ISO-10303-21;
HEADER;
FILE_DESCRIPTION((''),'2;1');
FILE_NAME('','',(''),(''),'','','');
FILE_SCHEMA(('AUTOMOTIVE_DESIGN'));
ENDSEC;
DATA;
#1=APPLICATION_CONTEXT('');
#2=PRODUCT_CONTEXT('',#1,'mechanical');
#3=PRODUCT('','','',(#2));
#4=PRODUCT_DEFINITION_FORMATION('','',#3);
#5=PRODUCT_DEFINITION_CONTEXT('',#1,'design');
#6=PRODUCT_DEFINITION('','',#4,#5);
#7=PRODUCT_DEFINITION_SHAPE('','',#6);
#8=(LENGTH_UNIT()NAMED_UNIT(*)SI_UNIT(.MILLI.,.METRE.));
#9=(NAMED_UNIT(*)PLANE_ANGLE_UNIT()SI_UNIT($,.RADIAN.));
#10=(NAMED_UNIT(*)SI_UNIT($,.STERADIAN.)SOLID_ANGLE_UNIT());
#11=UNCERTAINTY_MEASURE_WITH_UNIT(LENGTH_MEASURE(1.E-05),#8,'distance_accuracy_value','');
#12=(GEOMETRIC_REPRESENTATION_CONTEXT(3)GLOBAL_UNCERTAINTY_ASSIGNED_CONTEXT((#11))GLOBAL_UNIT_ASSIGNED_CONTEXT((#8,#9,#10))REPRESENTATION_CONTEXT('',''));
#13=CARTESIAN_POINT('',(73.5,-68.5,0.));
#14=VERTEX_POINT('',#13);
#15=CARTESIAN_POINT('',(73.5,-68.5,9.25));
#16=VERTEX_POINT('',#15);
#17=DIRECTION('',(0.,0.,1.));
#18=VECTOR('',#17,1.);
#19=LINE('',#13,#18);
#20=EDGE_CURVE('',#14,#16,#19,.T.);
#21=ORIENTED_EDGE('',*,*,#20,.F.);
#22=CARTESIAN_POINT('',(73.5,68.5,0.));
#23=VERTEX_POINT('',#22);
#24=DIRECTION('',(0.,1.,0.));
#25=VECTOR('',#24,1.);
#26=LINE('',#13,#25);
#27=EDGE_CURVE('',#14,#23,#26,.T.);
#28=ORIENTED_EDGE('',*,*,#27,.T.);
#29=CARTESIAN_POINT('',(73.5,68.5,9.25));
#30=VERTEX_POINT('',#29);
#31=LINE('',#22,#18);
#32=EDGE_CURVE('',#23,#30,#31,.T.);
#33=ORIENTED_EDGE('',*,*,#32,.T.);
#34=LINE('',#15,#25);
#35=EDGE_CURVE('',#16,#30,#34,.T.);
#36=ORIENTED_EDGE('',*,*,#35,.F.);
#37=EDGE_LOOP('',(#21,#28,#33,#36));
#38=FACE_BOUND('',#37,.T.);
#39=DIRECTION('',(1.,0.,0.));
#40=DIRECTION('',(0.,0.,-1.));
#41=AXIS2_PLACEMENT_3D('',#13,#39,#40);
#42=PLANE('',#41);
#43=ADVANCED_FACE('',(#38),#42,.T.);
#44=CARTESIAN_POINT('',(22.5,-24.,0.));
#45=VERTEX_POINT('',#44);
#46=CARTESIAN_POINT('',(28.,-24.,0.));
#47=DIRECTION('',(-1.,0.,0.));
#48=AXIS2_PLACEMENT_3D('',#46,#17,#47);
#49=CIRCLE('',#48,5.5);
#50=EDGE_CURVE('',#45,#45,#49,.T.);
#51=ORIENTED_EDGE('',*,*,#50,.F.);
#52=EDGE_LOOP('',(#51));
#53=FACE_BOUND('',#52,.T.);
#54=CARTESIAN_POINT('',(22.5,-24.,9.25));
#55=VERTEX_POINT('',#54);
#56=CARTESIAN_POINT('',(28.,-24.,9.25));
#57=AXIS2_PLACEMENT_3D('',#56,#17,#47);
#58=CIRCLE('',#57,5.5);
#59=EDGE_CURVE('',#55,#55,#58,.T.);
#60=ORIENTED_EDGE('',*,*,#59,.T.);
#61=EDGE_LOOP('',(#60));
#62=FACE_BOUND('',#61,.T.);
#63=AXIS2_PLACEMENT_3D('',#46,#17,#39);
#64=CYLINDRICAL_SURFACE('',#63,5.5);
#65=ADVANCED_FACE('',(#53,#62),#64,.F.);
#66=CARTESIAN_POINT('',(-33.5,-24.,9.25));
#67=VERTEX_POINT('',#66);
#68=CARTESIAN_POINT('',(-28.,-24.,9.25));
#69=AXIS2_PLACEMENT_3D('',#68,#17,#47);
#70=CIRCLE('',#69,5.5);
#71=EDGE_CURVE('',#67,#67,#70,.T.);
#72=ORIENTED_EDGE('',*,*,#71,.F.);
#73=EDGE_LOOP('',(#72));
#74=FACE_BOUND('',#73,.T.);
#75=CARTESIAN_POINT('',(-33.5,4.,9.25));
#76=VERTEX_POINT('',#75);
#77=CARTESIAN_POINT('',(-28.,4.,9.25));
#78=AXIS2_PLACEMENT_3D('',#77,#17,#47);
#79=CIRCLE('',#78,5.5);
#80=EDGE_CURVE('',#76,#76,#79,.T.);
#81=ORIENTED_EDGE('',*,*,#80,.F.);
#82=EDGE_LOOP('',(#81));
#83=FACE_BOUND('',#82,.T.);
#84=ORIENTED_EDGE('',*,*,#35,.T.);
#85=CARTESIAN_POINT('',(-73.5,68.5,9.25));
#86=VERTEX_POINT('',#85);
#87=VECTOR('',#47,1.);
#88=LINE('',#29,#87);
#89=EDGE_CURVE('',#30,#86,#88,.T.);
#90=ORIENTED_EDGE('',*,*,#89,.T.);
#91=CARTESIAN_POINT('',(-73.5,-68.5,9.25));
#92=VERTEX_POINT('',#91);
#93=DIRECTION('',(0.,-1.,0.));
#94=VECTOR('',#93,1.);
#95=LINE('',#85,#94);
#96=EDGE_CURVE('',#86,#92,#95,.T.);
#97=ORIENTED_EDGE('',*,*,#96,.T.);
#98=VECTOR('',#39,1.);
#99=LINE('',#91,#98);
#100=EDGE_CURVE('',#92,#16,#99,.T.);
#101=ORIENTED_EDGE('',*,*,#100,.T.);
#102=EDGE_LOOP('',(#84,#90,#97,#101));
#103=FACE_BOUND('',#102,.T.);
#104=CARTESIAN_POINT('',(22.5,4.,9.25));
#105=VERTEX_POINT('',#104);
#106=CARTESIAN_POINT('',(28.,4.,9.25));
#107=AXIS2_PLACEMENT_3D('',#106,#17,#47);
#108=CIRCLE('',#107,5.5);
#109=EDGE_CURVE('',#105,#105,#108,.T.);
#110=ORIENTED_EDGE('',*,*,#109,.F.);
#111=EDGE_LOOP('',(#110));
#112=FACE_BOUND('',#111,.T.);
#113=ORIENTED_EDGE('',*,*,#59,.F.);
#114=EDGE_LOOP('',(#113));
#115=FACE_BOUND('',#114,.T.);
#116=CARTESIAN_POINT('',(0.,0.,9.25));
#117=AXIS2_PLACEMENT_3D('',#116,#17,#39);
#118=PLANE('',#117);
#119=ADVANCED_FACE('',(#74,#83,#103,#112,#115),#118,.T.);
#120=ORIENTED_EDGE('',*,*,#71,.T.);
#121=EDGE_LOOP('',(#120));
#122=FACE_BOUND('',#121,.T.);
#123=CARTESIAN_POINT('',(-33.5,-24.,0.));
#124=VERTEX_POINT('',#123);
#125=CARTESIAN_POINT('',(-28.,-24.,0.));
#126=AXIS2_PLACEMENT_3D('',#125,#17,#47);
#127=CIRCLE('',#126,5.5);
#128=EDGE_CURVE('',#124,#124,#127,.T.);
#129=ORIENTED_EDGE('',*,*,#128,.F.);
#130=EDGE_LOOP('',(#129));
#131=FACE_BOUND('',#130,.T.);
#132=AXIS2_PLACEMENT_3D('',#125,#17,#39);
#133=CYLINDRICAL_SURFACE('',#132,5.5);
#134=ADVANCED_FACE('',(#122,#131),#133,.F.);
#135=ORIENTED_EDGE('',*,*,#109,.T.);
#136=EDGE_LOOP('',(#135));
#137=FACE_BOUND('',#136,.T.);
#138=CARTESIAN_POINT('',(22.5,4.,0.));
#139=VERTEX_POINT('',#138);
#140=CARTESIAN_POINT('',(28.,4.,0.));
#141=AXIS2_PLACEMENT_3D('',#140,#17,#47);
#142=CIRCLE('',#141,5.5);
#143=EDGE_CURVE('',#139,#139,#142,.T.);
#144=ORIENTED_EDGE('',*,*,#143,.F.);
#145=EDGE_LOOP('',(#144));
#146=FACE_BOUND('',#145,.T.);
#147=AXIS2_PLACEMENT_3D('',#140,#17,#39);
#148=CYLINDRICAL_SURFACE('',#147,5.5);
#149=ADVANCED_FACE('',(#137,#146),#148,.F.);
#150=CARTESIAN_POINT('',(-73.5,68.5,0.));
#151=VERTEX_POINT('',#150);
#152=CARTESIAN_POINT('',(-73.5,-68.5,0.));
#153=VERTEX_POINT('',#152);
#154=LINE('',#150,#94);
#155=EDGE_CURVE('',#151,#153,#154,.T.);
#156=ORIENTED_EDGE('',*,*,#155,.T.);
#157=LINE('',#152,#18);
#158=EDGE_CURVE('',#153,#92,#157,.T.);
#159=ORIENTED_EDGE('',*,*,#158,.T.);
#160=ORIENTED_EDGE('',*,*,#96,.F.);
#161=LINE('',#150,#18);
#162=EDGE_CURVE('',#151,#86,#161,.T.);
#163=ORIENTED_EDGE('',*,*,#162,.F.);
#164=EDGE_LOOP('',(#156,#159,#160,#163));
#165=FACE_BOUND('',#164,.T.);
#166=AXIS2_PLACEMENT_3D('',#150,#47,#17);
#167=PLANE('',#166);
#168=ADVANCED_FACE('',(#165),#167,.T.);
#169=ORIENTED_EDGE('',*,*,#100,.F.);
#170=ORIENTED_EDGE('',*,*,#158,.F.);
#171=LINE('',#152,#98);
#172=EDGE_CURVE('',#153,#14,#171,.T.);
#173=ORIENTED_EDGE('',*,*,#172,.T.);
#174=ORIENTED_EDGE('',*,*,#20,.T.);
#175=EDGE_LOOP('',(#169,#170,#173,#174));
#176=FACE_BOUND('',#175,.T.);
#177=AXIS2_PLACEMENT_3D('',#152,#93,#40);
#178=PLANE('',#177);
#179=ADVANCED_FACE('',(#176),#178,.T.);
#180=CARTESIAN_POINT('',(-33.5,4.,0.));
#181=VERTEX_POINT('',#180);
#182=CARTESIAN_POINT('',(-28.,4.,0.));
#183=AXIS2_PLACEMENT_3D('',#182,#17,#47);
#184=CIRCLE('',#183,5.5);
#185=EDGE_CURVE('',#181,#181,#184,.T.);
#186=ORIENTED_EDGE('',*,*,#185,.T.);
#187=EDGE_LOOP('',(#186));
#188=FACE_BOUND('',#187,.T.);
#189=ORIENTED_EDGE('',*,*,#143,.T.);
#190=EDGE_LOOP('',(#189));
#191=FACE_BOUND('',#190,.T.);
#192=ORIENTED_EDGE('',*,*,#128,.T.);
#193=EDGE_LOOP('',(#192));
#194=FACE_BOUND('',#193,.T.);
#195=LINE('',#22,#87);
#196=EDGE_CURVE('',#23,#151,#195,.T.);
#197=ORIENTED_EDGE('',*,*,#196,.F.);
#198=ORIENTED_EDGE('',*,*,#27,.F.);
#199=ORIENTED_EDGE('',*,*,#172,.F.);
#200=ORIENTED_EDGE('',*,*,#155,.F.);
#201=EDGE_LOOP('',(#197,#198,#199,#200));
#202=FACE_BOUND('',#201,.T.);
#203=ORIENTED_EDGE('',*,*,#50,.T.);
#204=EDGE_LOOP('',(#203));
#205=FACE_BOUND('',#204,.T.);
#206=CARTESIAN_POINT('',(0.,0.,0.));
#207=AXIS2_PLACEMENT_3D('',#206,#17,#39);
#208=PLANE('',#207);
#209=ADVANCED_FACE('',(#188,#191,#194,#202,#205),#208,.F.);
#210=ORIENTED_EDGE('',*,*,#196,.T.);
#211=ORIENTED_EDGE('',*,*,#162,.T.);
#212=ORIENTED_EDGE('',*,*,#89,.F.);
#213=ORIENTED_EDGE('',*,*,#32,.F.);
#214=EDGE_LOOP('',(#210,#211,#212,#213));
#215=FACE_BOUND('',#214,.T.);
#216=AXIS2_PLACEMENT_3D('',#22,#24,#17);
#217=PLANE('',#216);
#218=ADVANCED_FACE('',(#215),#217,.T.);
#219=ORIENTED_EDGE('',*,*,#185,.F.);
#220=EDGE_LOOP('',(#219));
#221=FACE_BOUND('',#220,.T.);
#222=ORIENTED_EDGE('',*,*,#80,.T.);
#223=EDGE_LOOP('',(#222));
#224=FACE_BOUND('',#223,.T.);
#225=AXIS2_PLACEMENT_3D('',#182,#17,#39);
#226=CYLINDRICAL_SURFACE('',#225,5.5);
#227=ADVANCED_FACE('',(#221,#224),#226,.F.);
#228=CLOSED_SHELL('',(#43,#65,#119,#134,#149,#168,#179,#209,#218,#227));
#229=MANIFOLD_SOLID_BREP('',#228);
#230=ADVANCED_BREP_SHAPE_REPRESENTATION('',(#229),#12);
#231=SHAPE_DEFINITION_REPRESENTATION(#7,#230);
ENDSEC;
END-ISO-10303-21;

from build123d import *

# Parameters (mm, degrees)
SKETCH1_W           = 147
SKETCH1_H           = 137
SKETCH1_R           = 5.5
BOSS_EXTRUDE1_DEPTH = 9.25


with BuildPart() as part:
    # Sketch1 → Boss-Extrude1 (new body)
    with BuildSketch(Plane.XY.offset(9.25)):
        Rectangle(SKETCH1_W, SKETCH1_H)
        with Locations(Location((-28, -24, 0), (0, 0, 180))):
            Circle(SKETCH1_R, mode=Mode.SUBTRACT)
        with Locations(Location((28, -24, 0), (0, 0, 180))):
            Circle(SKETCH1_R, mode=Mode.SUBTRACT)
        with Locations(Location((28, 4, 0), (0, 0, 180))):
            Circle(SKETCH1_R, mode=Mode.SUBTRACT)
        with Locations(Location((-28, 4, 0), (0, 0, 180))):
            Circle(SKETCH1_R, mode=Mode.SUBTRACT)
    extrude(amount=-BOSS_EXTRUDE1_DEPTH)


solid = part.part
